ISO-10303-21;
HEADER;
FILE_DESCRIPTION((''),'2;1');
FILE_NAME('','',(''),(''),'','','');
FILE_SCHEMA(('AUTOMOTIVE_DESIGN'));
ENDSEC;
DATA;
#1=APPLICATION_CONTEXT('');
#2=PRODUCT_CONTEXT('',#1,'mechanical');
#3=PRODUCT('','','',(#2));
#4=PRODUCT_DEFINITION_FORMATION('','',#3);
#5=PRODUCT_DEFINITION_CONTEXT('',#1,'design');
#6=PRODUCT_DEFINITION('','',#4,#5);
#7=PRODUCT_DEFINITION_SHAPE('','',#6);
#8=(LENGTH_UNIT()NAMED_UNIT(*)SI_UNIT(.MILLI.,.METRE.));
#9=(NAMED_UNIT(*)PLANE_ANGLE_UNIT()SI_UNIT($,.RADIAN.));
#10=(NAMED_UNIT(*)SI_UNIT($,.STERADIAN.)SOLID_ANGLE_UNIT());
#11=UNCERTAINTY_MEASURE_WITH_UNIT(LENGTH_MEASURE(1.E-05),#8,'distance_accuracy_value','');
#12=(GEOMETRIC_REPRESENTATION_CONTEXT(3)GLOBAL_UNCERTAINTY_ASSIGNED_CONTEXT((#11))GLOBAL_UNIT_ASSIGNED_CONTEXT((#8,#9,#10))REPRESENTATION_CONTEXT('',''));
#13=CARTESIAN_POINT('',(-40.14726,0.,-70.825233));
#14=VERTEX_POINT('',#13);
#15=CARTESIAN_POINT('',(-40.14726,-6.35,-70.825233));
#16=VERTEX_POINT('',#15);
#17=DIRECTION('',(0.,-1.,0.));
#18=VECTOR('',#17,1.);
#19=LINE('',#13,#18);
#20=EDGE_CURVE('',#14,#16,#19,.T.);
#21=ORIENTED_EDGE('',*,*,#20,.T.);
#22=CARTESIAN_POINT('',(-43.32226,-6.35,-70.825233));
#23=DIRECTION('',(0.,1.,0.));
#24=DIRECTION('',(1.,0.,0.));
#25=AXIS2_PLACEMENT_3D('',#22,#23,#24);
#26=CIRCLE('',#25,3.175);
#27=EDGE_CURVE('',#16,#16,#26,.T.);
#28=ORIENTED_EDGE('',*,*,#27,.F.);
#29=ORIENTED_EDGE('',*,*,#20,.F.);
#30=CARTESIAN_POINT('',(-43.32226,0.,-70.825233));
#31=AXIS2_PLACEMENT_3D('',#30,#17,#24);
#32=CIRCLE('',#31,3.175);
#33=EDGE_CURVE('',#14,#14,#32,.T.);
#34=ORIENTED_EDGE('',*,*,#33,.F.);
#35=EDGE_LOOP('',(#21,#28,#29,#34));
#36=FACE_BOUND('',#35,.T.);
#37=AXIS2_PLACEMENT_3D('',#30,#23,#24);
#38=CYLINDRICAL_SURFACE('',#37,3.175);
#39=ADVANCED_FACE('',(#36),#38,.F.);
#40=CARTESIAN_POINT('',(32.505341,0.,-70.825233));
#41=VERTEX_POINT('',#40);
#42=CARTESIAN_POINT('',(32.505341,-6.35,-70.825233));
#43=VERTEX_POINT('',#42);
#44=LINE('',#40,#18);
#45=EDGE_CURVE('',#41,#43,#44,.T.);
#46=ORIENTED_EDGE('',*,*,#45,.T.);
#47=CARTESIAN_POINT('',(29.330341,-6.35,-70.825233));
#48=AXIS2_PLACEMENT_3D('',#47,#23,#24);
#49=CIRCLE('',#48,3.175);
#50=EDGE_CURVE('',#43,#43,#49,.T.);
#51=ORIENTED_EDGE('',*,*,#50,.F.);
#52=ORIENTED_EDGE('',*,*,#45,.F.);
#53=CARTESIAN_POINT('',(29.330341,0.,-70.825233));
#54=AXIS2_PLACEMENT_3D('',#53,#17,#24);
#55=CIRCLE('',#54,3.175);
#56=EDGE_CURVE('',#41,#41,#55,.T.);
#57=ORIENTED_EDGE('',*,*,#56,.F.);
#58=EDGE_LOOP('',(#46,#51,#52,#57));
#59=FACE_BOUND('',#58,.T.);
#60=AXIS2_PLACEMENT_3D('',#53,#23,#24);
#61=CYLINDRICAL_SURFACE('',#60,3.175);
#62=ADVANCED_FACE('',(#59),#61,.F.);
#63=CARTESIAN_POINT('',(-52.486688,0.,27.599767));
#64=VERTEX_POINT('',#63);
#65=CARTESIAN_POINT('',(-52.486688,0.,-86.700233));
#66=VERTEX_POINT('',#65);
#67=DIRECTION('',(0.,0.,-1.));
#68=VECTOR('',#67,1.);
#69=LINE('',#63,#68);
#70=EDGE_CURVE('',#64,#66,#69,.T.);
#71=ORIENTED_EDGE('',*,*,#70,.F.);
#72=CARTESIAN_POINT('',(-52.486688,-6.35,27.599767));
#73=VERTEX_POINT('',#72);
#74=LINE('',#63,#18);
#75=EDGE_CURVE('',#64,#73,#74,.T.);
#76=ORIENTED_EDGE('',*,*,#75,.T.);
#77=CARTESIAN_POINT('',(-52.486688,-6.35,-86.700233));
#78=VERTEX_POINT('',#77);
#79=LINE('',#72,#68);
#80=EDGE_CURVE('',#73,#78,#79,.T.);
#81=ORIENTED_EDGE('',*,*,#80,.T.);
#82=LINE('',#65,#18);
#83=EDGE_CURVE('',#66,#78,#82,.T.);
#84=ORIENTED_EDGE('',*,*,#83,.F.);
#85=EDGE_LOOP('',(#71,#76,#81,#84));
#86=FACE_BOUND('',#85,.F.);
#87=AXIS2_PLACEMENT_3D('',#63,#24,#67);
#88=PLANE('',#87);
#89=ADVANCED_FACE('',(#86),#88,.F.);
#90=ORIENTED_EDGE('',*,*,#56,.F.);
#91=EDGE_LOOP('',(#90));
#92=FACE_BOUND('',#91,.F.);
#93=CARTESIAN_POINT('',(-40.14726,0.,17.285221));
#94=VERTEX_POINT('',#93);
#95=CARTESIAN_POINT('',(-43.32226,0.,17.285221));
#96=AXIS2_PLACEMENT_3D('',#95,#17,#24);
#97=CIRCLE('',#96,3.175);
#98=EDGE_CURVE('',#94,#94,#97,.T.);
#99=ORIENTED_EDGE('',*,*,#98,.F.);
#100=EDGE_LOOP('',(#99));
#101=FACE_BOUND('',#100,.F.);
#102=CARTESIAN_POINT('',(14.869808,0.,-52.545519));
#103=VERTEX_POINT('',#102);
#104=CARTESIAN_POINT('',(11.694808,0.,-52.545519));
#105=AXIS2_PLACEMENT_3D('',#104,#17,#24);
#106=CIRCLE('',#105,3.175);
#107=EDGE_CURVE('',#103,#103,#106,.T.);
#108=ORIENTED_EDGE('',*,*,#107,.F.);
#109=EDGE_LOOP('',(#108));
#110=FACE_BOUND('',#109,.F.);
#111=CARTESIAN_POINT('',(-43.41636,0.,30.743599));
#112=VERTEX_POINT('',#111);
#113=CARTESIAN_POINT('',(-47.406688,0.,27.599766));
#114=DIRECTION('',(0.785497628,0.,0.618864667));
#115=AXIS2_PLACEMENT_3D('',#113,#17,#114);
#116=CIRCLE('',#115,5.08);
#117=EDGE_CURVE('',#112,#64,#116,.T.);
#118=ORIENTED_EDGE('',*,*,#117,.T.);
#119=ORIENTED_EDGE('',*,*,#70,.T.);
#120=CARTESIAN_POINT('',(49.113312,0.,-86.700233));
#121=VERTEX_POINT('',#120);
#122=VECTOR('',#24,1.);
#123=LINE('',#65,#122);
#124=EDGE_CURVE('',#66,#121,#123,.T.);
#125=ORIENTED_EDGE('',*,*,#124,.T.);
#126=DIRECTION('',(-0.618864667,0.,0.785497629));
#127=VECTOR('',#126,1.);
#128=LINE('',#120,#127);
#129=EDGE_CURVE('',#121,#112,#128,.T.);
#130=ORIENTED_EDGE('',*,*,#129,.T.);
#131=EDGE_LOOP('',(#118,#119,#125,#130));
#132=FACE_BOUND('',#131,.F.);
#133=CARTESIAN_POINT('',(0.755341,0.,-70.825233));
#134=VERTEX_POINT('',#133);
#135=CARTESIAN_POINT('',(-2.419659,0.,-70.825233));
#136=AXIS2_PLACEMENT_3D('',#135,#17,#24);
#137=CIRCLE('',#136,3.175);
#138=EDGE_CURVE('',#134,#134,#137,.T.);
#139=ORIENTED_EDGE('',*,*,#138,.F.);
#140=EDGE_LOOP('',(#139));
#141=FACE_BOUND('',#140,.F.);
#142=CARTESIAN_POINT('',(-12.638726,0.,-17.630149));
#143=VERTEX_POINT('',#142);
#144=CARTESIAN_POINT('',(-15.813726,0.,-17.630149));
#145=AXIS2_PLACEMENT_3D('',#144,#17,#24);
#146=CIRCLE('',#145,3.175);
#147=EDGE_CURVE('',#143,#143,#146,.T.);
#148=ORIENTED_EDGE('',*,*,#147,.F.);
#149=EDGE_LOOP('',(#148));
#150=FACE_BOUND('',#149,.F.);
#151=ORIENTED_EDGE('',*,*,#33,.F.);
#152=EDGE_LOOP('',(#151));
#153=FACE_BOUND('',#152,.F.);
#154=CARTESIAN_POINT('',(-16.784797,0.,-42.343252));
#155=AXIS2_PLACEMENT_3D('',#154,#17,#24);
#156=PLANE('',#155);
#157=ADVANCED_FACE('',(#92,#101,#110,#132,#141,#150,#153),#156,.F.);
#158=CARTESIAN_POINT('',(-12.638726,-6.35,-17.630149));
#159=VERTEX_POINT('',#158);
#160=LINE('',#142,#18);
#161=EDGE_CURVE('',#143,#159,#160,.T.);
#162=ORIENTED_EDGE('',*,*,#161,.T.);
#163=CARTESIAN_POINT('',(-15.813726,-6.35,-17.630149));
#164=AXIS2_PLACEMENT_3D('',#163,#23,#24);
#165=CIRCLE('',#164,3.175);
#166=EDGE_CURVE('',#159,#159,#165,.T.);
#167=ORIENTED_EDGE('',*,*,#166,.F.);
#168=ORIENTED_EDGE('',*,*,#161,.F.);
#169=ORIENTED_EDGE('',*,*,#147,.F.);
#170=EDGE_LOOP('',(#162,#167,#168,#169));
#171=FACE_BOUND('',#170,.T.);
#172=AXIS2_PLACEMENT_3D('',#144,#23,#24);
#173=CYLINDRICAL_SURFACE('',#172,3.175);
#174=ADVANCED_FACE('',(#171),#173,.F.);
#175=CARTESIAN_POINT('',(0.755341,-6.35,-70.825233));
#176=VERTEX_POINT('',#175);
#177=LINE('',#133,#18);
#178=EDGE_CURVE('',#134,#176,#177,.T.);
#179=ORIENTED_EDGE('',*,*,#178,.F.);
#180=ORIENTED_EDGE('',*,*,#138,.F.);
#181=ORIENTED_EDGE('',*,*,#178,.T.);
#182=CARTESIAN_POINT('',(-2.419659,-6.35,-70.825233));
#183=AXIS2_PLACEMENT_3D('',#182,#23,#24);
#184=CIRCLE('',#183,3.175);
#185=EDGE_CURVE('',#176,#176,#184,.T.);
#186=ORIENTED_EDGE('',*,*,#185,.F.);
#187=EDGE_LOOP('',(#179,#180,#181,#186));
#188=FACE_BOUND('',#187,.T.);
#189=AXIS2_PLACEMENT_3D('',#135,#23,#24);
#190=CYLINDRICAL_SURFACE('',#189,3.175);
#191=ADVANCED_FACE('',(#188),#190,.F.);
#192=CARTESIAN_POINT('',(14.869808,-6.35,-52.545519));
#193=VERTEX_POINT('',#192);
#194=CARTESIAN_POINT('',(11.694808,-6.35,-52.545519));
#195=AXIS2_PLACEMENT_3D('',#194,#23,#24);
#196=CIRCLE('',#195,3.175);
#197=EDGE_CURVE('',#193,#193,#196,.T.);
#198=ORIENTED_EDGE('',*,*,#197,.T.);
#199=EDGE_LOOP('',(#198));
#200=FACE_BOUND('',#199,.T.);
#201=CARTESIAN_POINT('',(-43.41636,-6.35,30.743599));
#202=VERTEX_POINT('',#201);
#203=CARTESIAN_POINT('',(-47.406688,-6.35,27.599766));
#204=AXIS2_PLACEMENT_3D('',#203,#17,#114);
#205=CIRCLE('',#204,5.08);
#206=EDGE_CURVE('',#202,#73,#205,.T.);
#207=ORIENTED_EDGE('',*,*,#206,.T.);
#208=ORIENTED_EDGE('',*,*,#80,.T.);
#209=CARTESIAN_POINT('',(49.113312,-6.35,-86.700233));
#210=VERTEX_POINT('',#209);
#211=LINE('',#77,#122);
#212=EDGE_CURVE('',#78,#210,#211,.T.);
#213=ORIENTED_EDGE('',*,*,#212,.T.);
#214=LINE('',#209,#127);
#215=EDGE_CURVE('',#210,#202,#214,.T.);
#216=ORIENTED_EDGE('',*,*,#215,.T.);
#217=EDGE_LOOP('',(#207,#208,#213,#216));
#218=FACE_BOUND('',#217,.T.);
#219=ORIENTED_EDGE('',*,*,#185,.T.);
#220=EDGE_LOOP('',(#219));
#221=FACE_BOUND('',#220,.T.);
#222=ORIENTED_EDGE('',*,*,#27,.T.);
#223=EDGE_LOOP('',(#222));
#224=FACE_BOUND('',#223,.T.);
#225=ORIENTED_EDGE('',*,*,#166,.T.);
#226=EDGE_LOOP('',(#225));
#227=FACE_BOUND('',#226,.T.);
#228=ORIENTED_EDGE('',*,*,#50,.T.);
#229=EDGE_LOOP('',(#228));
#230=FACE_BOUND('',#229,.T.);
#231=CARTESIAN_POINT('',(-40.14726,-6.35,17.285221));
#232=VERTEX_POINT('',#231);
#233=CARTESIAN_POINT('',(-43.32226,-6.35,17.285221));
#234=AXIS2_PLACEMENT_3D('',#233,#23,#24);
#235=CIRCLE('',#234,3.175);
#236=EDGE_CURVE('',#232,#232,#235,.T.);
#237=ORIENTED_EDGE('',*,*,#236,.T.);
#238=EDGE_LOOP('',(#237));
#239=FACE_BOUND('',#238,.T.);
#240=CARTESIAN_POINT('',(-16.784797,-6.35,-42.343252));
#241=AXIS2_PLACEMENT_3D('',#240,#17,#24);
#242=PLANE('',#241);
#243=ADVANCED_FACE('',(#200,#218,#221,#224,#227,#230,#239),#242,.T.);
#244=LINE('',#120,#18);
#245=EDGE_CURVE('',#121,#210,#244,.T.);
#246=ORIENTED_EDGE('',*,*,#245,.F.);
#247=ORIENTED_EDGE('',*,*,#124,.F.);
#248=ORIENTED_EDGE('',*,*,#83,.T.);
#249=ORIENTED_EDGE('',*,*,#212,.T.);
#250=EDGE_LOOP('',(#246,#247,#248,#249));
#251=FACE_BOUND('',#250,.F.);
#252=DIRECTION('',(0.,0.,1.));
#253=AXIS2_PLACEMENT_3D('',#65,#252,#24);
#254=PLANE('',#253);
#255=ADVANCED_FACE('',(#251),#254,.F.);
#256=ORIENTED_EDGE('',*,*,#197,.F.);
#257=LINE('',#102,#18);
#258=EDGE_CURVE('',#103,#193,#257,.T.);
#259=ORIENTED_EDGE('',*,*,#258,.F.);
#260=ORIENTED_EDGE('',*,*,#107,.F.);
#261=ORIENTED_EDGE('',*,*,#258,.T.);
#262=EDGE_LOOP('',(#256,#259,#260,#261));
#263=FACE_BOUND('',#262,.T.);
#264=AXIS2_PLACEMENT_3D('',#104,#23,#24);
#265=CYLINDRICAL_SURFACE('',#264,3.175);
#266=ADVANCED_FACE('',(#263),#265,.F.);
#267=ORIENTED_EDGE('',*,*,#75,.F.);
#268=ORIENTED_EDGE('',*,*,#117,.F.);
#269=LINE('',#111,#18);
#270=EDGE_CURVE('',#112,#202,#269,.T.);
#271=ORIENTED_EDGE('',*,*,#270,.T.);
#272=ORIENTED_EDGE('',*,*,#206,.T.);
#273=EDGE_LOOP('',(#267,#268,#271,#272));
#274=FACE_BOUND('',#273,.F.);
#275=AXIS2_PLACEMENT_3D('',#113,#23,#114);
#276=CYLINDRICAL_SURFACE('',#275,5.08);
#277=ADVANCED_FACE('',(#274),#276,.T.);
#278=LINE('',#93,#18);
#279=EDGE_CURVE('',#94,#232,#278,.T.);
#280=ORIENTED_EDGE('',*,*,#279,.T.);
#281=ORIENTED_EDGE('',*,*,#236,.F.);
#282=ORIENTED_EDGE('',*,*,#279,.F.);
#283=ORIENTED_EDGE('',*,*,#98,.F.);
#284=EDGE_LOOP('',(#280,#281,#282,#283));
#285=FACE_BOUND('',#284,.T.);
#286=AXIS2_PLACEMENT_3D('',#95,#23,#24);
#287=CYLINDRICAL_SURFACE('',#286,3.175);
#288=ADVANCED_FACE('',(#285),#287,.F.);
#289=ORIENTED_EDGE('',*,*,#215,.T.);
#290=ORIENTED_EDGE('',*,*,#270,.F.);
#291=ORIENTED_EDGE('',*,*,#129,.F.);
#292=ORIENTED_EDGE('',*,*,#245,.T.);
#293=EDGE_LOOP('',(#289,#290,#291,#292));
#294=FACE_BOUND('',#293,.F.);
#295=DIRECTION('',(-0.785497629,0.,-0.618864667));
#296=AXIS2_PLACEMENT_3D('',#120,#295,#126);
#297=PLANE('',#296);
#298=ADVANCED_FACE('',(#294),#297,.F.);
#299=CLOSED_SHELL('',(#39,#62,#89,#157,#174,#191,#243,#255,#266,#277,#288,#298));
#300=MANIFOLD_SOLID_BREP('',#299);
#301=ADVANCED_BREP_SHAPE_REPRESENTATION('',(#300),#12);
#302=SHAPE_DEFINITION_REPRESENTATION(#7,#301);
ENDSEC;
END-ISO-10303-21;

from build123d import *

# Parameters (mm, degrees)
F2_DEPTH = 6.35
F1_R     = 3.175
F3_DEPTH = 43.312125


with BuildPart() as f2:
    # F0 (on Front) → F2 (new body)
    with BuildSketch(Plane.XZ):
        with BuildLine():
            ThreePointArc((-43.41636, 30.743599), (-49.070349, 32.399624), (-52.486688, 27.599767))
            Line((-52.486688, 27.599767), (-52.486688, -86.700233))
            Line((-52.486688, -86.700233), (49.113312, -86.700233))
            Line((49.113312, -86.700233), (-43.41636, 30.743599))
        make_face()
    extrude(amount=F2_DEPTH)

    # F1 (on face) → F3 (cut)
    with BuildSketch(Plane.XZ):
        with Locations((29.330341, -70.825233)):
            Circle(F1_R)
        with Locations((-2.419659, -70.825233)):
            Circle(F1_R)
        with Locations((11.694808, -52.545519)):
            Circle(F1_R)
        with Locations((-15.813726, -17.630149)):
            Circle(F1_R)
        with Locations((-43.32226, 17.285221)):
            Circle(F1_R)
        with Locations((-43.32226, -70.825233)):
            Circle(F1_R)
    extrude(amount=F3_DEPTH, mode=Mode.SUBTRACT)


solid = f2.part
